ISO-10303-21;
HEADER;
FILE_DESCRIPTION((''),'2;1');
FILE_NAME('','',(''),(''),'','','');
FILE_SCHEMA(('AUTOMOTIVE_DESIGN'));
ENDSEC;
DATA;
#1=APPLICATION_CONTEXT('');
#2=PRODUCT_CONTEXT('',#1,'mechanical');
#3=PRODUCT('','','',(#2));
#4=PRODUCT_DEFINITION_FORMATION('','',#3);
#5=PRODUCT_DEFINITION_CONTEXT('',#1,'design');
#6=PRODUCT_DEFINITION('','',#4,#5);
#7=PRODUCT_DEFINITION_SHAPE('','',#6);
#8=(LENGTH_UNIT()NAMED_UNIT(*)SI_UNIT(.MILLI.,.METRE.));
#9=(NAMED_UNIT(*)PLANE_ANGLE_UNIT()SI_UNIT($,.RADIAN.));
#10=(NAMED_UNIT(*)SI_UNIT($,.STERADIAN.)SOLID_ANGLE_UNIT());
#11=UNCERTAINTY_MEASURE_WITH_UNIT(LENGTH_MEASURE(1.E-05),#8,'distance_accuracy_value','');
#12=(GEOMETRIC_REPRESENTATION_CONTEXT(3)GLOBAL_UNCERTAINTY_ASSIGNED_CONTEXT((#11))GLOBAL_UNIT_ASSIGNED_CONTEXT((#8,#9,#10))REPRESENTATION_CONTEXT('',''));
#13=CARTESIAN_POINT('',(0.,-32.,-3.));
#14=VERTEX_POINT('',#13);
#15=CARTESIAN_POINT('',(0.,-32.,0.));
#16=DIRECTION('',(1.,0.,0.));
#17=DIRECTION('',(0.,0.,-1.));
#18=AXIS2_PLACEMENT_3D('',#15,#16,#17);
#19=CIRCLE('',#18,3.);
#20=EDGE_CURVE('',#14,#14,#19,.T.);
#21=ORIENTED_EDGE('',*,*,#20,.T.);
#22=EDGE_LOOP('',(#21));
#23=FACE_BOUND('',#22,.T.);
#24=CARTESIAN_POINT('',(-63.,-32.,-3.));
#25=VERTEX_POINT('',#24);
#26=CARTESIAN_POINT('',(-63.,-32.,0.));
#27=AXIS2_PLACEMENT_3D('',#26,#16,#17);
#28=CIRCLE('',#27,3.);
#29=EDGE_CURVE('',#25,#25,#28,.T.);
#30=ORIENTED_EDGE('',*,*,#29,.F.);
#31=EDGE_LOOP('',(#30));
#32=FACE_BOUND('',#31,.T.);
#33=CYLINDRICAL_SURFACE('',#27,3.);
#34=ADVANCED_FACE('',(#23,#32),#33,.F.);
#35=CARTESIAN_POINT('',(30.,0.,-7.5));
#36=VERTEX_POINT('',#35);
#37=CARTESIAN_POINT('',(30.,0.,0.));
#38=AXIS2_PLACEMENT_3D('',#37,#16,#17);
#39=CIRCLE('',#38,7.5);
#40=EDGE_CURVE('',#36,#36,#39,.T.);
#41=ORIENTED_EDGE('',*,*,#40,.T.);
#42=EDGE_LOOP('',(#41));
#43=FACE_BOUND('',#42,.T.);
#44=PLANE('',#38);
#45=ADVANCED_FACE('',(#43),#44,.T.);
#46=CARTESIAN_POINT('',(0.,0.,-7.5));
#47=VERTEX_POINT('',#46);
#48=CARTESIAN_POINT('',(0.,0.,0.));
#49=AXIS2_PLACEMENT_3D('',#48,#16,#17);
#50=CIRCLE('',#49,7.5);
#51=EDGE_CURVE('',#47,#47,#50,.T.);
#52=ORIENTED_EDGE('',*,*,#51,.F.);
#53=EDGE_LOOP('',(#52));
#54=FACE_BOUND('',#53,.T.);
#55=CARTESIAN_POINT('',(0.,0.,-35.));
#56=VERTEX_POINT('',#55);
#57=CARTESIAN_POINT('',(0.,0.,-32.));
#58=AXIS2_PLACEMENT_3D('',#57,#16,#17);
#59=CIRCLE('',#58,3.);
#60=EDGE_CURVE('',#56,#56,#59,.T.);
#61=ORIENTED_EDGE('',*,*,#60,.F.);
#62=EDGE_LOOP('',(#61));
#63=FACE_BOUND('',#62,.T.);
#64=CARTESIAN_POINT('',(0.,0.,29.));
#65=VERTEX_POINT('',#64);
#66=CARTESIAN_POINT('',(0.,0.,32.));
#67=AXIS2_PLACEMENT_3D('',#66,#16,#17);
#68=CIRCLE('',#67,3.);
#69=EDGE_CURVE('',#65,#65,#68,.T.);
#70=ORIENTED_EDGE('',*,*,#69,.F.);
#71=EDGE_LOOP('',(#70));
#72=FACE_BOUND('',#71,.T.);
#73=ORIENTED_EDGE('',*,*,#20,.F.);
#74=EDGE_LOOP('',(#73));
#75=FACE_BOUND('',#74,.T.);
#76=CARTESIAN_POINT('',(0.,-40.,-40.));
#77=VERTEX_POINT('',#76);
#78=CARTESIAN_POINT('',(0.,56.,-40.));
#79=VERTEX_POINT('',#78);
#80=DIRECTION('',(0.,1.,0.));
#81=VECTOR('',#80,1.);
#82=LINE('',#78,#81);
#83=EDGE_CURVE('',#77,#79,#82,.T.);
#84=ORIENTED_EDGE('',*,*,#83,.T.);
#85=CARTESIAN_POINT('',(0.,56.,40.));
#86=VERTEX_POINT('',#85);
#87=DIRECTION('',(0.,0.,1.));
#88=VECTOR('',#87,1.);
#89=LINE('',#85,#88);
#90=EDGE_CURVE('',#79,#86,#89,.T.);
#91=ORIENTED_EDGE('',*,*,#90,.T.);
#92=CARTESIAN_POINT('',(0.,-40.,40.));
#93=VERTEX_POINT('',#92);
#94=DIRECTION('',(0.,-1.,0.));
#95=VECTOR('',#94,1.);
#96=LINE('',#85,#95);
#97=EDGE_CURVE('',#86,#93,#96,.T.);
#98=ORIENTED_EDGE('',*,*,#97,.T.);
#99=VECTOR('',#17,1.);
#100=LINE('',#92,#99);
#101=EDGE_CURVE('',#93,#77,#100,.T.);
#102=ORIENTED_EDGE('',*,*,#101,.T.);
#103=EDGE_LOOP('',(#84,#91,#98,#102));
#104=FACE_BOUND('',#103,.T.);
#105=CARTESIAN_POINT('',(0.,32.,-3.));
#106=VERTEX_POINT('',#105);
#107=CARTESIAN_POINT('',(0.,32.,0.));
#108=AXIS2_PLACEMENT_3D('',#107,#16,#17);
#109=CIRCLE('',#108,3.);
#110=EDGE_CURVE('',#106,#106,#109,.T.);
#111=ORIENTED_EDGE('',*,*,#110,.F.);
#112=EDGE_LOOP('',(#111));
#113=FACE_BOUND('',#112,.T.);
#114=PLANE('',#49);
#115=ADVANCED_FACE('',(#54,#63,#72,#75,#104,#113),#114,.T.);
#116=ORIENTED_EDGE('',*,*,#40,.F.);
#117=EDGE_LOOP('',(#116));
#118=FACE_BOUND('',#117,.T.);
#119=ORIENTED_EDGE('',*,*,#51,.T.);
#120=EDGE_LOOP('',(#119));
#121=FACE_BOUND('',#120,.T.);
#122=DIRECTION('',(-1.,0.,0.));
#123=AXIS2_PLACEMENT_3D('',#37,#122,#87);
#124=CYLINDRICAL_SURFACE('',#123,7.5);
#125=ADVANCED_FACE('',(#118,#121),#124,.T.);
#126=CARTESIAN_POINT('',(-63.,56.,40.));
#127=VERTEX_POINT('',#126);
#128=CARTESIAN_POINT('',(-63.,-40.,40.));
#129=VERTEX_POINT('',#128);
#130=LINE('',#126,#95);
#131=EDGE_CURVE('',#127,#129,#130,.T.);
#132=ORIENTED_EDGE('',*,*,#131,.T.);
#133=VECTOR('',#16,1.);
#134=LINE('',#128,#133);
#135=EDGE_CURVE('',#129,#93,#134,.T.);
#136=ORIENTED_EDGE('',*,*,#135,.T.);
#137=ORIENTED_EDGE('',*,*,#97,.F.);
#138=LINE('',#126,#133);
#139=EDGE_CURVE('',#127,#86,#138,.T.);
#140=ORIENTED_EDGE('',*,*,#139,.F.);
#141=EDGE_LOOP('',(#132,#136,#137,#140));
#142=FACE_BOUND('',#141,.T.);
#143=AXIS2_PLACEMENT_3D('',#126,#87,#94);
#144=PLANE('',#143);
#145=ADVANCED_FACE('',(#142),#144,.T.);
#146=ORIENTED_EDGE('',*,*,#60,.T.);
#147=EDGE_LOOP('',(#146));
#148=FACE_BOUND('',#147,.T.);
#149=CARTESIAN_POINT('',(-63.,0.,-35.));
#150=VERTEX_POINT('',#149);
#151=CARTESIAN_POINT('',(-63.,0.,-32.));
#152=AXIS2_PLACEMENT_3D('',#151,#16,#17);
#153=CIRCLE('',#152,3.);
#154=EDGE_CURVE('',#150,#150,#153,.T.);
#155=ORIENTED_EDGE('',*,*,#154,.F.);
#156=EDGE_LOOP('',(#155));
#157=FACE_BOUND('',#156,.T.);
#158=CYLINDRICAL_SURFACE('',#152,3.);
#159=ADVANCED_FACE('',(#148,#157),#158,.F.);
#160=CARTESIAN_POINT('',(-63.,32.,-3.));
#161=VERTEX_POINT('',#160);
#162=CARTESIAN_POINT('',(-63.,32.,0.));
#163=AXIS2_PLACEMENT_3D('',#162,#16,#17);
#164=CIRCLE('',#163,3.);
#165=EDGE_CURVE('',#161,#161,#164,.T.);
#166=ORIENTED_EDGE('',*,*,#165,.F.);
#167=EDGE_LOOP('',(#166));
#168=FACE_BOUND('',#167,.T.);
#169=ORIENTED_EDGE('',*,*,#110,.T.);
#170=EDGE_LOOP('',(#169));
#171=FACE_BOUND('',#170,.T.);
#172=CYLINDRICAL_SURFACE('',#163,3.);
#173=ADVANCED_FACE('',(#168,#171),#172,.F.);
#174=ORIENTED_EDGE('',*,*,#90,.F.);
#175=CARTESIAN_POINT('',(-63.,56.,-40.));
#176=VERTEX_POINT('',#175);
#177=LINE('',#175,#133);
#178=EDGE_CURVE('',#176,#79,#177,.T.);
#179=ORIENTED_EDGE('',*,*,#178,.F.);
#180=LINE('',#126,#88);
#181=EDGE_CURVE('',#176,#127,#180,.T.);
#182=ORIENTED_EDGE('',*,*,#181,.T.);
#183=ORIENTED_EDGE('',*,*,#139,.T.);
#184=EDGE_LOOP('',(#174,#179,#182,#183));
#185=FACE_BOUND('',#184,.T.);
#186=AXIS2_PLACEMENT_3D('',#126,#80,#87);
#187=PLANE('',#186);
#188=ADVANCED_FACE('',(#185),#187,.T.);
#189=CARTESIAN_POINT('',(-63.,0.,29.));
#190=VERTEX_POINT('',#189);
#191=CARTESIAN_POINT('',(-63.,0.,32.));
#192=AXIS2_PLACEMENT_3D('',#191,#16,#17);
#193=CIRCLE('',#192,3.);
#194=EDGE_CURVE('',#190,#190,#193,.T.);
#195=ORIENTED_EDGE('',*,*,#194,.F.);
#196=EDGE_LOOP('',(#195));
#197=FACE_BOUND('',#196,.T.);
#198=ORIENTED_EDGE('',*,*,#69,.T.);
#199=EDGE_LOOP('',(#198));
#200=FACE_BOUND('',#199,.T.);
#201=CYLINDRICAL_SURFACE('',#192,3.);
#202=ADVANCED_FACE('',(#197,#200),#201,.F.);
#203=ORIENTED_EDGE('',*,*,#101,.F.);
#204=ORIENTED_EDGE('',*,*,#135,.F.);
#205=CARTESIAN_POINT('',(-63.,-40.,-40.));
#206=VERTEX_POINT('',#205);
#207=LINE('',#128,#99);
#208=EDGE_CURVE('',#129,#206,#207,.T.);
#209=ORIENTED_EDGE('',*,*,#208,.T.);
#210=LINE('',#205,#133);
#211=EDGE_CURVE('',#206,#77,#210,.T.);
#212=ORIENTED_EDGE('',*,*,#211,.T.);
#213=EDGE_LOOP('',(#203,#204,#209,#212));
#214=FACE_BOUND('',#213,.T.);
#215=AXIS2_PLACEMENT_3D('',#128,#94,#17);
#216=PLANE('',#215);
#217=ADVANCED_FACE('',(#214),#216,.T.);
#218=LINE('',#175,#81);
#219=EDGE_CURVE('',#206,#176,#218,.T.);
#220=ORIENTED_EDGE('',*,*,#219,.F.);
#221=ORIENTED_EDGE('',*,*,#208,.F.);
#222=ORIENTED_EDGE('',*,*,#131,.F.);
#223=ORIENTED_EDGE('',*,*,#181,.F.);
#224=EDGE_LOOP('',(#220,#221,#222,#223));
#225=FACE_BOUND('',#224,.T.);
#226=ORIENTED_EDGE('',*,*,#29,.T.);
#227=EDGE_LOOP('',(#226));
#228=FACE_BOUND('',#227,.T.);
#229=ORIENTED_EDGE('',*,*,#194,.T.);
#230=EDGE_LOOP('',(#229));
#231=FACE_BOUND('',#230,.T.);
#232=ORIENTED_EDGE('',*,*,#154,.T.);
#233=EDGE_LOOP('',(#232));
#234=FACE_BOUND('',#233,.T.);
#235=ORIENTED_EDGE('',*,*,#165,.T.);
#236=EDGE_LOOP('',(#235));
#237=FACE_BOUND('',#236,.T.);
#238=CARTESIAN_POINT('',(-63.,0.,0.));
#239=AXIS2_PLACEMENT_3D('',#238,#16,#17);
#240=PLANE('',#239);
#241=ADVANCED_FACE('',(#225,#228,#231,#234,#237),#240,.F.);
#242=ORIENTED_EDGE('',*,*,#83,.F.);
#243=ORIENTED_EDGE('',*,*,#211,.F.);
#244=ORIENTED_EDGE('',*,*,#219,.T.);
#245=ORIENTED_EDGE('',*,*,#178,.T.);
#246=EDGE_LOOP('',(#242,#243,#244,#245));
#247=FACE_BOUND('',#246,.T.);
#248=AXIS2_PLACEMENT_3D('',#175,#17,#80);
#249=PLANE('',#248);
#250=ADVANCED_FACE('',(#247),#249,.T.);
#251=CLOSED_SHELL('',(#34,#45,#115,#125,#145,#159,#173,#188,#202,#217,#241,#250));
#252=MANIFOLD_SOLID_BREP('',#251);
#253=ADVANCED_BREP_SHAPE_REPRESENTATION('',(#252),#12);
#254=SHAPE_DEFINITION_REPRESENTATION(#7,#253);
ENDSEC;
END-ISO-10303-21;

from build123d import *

# Parameters (mm, degrees)
SKETCH1_W           = 80
SKETCH1_H           = 96
SKETCH1_R           = 3
BOSS_EXTRUDE1_DEPTH = 63
SKETCH2_R           = 7.5
BOSS_EXTRUDE2_DEPTH = 30


with BuildPart() as part:
    # Sketch1 → Boss-Extrude1 (new body)
    with BuildSketch(Plane(origin=(0, 0, 0), x_dir=(0, 0, -1), z_dir=(1, 0, 0))):
        with Locations((0, 8)):
            Rectangle(SKETCH1_W, SKETCH1_H)
        with Locations((0, 32)):
            Circle(SKETCH1_R, mode=Mode.SUBTRACT)
        with Locations((-32, 0)):
            Circle(SKETCH1_R, mode=Mode.SUBTRACT)
        with Locations((0, -32)):
            Circle(SKETCH1_R, mode=Mode.SUBTRACT)
        with Locations((32, 0)):
            Circle(SKETCH1_R, mode=Mode.SUBTRACT)
    extrude(amount=-BOSS_EXTRUDE1_DEPTH)

    # Sketch2 → Boss-Extrude2 (add)
    with BuildSketch(Plane(origin=(0, 0, 0), x_dir=(0, 0, -1), z_dir=(1, 0, 0))):
        Circle(SKETCH2_R)
    extrude(amount=BOSS_EXTRUDE2_DEPTH)


solid = part.part
